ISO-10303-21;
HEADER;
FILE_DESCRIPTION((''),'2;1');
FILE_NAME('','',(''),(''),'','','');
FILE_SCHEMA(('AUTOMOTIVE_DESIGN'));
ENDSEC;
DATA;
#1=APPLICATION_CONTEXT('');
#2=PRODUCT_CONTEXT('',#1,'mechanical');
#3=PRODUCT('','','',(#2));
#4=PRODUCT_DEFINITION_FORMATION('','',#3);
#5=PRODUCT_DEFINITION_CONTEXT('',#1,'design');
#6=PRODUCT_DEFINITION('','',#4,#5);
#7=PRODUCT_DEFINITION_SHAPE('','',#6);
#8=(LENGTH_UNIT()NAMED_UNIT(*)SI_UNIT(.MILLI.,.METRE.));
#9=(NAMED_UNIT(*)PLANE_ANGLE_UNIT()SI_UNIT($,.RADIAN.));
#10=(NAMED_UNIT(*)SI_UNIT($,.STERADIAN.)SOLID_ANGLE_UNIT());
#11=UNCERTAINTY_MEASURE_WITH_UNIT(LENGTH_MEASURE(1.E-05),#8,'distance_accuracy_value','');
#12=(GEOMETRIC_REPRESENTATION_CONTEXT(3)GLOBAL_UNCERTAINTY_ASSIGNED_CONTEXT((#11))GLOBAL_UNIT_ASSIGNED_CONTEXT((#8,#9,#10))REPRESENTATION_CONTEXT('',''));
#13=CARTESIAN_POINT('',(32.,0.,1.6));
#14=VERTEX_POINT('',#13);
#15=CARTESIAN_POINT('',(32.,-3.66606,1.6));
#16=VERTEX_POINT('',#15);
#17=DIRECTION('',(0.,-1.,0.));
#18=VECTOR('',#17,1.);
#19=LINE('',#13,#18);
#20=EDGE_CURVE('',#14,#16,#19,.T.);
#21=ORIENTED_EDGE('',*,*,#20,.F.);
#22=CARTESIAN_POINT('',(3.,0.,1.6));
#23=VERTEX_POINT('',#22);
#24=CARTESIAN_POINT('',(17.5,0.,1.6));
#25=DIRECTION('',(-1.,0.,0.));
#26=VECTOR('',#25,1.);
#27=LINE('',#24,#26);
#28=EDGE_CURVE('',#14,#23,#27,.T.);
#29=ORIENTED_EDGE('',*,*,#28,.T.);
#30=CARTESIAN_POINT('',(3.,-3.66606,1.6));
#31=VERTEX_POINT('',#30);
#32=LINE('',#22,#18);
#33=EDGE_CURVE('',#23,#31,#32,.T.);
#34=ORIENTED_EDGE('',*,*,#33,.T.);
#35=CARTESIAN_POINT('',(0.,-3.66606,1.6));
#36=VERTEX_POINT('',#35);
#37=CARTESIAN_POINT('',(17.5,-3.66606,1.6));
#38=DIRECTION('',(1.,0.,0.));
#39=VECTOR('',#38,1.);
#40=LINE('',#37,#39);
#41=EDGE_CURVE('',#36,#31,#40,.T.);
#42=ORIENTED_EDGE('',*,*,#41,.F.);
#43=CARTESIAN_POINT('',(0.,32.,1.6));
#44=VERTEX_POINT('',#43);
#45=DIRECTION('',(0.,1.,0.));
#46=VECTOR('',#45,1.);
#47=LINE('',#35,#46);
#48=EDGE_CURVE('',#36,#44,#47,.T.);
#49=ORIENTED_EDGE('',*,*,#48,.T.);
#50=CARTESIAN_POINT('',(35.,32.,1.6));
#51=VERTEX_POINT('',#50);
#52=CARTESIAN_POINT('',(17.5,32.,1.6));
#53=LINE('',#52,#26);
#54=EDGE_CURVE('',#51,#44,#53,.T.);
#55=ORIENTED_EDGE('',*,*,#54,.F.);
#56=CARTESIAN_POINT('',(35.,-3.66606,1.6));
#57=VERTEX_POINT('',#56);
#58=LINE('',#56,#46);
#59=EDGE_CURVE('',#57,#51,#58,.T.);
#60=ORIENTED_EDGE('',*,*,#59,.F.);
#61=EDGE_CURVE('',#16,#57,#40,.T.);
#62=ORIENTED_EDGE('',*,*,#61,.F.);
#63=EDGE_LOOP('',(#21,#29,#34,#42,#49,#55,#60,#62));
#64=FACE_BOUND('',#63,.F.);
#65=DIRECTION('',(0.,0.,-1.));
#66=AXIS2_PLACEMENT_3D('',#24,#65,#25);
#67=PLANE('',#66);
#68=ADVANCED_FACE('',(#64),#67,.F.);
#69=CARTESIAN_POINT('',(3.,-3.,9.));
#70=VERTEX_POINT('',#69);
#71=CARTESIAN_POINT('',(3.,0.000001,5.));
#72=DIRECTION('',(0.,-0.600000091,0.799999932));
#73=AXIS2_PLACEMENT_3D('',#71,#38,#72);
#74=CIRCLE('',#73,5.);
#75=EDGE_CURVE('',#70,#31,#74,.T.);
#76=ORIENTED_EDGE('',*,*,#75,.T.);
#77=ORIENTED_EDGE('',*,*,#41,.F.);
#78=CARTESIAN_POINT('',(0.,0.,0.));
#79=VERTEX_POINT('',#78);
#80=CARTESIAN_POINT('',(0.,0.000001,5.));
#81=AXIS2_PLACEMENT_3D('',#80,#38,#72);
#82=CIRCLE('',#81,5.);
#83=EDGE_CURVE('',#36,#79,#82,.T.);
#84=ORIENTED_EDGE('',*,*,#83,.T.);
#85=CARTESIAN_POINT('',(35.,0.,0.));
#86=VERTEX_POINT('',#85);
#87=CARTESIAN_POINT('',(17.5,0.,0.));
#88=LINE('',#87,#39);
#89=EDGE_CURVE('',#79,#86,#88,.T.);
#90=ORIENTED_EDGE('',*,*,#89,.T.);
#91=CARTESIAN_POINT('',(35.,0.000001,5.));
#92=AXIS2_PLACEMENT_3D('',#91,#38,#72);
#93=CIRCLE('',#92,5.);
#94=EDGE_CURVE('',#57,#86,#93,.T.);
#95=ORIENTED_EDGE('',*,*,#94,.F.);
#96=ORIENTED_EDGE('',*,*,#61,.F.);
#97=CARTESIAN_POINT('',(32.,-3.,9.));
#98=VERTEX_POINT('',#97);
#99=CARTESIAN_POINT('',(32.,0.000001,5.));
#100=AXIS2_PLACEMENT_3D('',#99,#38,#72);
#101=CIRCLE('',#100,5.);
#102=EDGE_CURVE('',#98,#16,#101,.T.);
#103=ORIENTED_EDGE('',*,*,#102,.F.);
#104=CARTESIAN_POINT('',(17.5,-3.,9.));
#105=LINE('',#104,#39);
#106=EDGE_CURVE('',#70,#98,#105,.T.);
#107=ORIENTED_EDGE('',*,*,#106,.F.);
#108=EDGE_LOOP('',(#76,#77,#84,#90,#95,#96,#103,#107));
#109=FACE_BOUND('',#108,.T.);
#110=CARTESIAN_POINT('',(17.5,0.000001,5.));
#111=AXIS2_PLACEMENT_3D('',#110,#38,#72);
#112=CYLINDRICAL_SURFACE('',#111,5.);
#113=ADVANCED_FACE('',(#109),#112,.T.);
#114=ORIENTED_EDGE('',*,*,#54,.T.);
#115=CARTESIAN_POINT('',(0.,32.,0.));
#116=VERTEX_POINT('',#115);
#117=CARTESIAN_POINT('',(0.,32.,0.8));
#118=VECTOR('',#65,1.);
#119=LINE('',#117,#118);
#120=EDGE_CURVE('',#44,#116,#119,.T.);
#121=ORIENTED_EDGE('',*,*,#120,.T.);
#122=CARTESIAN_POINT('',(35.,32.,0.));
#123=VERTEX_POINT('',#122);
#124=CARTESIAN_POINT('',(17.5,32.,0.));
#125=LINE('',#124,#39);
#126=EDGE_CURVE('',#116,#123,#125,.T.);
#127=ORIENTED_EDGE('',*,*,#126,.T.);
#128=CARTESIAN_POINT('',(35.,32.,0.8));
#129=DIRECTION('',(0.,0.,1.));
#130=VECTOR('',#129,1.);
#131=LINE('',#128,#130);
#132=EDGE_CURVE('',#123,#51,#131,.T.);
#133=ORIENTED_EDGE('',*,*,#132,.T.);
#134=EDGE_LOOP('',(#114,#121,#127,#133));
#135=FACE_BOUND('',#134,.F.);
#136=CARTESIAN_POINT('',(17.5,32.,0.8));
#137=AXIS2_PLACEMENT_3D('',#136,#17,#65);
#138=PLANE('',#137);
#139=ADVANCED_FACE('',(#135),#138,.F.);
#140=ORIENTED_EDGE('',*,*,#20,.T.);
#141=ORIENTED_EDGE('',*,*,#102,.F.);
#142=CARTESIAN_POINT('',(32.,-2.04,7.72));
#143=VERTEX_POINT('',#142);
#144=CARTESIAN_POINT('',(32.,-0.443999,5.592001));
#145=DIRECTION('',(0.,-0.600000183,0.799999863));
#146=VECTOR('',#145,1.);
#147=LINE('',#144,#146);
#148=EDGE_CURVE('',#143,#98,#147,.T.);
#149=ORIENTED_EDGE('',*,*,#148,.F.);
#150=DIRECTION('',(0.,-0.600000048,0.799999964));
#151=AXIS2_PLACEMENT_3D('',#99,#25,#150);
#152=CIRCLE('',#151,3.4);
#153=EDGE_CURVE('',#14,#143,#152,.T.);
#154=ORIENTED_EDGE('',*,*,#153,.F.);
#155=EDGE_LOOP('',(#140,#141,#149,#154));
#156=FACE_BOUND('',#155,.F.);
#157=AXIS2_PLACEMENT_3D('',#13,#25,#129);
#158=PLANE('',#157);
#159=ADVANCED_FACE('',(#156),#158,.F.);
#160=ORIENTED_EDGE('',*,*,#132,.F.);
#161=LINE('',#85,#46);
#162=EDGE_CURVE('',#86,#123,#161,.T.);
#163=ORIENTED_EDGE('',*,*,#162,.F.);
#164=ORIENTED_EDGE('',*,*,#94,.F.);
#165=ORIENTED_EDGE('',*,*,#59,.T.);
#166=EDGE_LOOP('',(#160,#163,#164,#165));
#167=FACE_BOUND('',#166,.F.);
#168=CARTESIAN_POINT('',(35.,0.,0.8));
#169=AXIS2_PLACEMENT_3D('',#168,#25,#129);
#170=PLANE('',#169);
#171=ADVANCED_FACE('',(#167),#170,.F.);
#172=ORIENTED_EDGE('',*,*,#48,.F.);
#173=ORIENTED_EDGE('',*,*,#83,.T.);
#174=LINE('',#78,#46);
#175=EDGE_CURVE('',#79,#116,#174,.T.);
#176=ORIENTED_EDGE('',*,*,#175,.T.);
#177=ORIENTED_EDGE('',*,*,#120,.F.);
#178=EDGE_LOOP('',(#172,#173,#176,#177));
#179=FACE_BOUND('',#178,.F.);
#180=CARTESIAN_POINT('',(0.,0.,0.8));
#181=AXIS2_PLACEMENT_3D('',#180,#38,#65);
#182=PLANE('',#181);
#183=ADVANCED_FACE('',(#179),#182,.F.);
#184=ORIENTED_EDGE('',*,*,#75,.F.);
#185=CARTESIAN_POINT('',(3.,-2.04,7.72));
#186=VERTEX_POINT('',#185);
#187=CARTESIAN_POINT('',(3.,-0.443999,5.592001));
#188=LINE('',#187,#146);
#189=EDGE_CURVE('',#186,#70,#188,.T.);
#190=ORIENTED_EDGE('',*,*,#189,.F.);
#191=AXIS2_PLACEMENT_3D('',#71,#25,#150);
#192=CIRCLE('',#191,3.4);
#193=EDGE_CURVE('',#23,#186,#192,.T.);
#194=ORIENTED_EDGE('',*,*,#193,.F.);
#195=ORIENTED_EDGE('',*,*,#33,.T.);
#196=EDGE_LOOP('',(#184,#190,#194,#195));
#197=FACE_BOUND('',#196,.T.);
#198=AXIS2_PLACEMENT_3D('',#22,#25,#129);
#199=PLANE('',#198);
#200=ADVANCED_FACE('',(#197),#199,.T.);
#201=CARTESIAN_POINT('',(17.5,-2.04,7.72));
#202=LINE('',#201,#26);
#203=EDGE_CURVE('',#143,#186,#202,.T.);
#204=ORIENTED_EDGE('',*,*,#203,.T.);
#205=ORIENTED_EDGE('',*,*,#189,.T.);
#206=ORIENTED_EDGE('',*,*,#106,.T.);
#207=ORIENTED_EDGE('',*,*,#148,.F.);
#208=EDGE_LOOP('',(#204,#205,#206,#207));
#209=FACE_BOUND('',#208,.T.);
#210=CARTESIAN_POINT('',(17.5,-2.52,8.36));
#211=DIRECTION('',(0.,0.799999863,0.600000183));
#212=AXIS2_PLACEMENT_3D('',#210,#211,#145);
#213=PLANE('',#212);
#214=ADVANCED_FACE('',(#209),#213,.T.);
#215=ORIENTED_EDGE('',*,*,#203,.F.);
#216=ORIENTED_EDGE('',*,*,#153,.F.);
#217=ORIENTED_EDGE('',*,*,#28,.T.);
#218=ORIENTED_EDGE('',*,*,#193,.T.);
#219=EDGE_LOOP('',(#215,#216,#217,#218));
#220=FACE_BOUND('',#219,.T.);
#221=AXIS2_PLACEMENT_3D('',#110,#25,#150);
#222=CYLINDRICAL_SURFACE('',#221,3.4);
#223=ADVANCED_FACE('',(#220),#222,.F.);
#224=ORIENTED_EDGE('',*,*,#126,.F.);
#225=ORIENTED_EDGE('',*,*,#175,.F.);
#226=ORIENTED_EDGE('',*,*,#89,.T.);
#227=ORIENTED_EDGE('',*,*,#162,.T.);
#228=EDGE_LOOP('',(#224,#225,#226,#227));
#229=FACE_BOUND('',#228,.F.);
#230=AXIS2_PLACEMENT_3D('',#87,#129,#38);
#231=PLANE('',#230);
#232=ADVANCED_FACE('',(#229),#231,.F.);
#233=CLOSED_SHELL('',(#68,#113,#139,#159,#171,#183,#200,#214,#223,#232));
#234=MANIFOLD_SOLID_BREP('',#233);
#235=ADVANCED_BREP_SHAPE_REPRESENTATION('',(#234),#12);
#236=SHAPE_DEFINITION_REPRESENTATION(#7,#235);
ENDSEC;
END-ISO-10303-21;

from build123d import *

# Parameters (mm, degrees)
F1_W     = 35
F1_H     = 1.6
F4_W     = 3
F4_H     = 8
F5_DEPTH = 5.001


with BuildPart() as f2:
    # F2: sweep along a path in F0
    with BuildLine(Plane.YZ) as f2_path:
        ThreePointArc((-3, 9), (-4.743416, 3.418861), (0, 0))
    # F1 (on Front) → F2 (sweep)
    with BuildSketch(Plane.XZ):
        with Locations((17.5, 0.8)):
            Rectangle(F1_W, F1_H)
    sweep(path=f2_path.line)

    # F3: sweep along a path in F0
    with BuildLine(Plane.YZ) as f3_path:
        Line((0, 0), (32, 0))
    # F1 (on Front) → F3 (sweep)
    with BuildSketch(Plane.XZ):
        with Locations((17.5, 0.8)):
            Rectangle(F1_W, F1_H)
    sweep(path=f3_path.line)

    # F4 (on Front) → F5 (cut, through all)
    with BuildSketch(Plane.XZ):
        with Locations((1.5, 5.6)):
            Rectangle(F4_W, F4_H)
        with Locations((33.5, 5.6)):
            Rectangle(F4_W, F4_H)
    extrude(amount=F5_DEPTH, mode=Mode.SUBTRACT)


solid = f2.part
